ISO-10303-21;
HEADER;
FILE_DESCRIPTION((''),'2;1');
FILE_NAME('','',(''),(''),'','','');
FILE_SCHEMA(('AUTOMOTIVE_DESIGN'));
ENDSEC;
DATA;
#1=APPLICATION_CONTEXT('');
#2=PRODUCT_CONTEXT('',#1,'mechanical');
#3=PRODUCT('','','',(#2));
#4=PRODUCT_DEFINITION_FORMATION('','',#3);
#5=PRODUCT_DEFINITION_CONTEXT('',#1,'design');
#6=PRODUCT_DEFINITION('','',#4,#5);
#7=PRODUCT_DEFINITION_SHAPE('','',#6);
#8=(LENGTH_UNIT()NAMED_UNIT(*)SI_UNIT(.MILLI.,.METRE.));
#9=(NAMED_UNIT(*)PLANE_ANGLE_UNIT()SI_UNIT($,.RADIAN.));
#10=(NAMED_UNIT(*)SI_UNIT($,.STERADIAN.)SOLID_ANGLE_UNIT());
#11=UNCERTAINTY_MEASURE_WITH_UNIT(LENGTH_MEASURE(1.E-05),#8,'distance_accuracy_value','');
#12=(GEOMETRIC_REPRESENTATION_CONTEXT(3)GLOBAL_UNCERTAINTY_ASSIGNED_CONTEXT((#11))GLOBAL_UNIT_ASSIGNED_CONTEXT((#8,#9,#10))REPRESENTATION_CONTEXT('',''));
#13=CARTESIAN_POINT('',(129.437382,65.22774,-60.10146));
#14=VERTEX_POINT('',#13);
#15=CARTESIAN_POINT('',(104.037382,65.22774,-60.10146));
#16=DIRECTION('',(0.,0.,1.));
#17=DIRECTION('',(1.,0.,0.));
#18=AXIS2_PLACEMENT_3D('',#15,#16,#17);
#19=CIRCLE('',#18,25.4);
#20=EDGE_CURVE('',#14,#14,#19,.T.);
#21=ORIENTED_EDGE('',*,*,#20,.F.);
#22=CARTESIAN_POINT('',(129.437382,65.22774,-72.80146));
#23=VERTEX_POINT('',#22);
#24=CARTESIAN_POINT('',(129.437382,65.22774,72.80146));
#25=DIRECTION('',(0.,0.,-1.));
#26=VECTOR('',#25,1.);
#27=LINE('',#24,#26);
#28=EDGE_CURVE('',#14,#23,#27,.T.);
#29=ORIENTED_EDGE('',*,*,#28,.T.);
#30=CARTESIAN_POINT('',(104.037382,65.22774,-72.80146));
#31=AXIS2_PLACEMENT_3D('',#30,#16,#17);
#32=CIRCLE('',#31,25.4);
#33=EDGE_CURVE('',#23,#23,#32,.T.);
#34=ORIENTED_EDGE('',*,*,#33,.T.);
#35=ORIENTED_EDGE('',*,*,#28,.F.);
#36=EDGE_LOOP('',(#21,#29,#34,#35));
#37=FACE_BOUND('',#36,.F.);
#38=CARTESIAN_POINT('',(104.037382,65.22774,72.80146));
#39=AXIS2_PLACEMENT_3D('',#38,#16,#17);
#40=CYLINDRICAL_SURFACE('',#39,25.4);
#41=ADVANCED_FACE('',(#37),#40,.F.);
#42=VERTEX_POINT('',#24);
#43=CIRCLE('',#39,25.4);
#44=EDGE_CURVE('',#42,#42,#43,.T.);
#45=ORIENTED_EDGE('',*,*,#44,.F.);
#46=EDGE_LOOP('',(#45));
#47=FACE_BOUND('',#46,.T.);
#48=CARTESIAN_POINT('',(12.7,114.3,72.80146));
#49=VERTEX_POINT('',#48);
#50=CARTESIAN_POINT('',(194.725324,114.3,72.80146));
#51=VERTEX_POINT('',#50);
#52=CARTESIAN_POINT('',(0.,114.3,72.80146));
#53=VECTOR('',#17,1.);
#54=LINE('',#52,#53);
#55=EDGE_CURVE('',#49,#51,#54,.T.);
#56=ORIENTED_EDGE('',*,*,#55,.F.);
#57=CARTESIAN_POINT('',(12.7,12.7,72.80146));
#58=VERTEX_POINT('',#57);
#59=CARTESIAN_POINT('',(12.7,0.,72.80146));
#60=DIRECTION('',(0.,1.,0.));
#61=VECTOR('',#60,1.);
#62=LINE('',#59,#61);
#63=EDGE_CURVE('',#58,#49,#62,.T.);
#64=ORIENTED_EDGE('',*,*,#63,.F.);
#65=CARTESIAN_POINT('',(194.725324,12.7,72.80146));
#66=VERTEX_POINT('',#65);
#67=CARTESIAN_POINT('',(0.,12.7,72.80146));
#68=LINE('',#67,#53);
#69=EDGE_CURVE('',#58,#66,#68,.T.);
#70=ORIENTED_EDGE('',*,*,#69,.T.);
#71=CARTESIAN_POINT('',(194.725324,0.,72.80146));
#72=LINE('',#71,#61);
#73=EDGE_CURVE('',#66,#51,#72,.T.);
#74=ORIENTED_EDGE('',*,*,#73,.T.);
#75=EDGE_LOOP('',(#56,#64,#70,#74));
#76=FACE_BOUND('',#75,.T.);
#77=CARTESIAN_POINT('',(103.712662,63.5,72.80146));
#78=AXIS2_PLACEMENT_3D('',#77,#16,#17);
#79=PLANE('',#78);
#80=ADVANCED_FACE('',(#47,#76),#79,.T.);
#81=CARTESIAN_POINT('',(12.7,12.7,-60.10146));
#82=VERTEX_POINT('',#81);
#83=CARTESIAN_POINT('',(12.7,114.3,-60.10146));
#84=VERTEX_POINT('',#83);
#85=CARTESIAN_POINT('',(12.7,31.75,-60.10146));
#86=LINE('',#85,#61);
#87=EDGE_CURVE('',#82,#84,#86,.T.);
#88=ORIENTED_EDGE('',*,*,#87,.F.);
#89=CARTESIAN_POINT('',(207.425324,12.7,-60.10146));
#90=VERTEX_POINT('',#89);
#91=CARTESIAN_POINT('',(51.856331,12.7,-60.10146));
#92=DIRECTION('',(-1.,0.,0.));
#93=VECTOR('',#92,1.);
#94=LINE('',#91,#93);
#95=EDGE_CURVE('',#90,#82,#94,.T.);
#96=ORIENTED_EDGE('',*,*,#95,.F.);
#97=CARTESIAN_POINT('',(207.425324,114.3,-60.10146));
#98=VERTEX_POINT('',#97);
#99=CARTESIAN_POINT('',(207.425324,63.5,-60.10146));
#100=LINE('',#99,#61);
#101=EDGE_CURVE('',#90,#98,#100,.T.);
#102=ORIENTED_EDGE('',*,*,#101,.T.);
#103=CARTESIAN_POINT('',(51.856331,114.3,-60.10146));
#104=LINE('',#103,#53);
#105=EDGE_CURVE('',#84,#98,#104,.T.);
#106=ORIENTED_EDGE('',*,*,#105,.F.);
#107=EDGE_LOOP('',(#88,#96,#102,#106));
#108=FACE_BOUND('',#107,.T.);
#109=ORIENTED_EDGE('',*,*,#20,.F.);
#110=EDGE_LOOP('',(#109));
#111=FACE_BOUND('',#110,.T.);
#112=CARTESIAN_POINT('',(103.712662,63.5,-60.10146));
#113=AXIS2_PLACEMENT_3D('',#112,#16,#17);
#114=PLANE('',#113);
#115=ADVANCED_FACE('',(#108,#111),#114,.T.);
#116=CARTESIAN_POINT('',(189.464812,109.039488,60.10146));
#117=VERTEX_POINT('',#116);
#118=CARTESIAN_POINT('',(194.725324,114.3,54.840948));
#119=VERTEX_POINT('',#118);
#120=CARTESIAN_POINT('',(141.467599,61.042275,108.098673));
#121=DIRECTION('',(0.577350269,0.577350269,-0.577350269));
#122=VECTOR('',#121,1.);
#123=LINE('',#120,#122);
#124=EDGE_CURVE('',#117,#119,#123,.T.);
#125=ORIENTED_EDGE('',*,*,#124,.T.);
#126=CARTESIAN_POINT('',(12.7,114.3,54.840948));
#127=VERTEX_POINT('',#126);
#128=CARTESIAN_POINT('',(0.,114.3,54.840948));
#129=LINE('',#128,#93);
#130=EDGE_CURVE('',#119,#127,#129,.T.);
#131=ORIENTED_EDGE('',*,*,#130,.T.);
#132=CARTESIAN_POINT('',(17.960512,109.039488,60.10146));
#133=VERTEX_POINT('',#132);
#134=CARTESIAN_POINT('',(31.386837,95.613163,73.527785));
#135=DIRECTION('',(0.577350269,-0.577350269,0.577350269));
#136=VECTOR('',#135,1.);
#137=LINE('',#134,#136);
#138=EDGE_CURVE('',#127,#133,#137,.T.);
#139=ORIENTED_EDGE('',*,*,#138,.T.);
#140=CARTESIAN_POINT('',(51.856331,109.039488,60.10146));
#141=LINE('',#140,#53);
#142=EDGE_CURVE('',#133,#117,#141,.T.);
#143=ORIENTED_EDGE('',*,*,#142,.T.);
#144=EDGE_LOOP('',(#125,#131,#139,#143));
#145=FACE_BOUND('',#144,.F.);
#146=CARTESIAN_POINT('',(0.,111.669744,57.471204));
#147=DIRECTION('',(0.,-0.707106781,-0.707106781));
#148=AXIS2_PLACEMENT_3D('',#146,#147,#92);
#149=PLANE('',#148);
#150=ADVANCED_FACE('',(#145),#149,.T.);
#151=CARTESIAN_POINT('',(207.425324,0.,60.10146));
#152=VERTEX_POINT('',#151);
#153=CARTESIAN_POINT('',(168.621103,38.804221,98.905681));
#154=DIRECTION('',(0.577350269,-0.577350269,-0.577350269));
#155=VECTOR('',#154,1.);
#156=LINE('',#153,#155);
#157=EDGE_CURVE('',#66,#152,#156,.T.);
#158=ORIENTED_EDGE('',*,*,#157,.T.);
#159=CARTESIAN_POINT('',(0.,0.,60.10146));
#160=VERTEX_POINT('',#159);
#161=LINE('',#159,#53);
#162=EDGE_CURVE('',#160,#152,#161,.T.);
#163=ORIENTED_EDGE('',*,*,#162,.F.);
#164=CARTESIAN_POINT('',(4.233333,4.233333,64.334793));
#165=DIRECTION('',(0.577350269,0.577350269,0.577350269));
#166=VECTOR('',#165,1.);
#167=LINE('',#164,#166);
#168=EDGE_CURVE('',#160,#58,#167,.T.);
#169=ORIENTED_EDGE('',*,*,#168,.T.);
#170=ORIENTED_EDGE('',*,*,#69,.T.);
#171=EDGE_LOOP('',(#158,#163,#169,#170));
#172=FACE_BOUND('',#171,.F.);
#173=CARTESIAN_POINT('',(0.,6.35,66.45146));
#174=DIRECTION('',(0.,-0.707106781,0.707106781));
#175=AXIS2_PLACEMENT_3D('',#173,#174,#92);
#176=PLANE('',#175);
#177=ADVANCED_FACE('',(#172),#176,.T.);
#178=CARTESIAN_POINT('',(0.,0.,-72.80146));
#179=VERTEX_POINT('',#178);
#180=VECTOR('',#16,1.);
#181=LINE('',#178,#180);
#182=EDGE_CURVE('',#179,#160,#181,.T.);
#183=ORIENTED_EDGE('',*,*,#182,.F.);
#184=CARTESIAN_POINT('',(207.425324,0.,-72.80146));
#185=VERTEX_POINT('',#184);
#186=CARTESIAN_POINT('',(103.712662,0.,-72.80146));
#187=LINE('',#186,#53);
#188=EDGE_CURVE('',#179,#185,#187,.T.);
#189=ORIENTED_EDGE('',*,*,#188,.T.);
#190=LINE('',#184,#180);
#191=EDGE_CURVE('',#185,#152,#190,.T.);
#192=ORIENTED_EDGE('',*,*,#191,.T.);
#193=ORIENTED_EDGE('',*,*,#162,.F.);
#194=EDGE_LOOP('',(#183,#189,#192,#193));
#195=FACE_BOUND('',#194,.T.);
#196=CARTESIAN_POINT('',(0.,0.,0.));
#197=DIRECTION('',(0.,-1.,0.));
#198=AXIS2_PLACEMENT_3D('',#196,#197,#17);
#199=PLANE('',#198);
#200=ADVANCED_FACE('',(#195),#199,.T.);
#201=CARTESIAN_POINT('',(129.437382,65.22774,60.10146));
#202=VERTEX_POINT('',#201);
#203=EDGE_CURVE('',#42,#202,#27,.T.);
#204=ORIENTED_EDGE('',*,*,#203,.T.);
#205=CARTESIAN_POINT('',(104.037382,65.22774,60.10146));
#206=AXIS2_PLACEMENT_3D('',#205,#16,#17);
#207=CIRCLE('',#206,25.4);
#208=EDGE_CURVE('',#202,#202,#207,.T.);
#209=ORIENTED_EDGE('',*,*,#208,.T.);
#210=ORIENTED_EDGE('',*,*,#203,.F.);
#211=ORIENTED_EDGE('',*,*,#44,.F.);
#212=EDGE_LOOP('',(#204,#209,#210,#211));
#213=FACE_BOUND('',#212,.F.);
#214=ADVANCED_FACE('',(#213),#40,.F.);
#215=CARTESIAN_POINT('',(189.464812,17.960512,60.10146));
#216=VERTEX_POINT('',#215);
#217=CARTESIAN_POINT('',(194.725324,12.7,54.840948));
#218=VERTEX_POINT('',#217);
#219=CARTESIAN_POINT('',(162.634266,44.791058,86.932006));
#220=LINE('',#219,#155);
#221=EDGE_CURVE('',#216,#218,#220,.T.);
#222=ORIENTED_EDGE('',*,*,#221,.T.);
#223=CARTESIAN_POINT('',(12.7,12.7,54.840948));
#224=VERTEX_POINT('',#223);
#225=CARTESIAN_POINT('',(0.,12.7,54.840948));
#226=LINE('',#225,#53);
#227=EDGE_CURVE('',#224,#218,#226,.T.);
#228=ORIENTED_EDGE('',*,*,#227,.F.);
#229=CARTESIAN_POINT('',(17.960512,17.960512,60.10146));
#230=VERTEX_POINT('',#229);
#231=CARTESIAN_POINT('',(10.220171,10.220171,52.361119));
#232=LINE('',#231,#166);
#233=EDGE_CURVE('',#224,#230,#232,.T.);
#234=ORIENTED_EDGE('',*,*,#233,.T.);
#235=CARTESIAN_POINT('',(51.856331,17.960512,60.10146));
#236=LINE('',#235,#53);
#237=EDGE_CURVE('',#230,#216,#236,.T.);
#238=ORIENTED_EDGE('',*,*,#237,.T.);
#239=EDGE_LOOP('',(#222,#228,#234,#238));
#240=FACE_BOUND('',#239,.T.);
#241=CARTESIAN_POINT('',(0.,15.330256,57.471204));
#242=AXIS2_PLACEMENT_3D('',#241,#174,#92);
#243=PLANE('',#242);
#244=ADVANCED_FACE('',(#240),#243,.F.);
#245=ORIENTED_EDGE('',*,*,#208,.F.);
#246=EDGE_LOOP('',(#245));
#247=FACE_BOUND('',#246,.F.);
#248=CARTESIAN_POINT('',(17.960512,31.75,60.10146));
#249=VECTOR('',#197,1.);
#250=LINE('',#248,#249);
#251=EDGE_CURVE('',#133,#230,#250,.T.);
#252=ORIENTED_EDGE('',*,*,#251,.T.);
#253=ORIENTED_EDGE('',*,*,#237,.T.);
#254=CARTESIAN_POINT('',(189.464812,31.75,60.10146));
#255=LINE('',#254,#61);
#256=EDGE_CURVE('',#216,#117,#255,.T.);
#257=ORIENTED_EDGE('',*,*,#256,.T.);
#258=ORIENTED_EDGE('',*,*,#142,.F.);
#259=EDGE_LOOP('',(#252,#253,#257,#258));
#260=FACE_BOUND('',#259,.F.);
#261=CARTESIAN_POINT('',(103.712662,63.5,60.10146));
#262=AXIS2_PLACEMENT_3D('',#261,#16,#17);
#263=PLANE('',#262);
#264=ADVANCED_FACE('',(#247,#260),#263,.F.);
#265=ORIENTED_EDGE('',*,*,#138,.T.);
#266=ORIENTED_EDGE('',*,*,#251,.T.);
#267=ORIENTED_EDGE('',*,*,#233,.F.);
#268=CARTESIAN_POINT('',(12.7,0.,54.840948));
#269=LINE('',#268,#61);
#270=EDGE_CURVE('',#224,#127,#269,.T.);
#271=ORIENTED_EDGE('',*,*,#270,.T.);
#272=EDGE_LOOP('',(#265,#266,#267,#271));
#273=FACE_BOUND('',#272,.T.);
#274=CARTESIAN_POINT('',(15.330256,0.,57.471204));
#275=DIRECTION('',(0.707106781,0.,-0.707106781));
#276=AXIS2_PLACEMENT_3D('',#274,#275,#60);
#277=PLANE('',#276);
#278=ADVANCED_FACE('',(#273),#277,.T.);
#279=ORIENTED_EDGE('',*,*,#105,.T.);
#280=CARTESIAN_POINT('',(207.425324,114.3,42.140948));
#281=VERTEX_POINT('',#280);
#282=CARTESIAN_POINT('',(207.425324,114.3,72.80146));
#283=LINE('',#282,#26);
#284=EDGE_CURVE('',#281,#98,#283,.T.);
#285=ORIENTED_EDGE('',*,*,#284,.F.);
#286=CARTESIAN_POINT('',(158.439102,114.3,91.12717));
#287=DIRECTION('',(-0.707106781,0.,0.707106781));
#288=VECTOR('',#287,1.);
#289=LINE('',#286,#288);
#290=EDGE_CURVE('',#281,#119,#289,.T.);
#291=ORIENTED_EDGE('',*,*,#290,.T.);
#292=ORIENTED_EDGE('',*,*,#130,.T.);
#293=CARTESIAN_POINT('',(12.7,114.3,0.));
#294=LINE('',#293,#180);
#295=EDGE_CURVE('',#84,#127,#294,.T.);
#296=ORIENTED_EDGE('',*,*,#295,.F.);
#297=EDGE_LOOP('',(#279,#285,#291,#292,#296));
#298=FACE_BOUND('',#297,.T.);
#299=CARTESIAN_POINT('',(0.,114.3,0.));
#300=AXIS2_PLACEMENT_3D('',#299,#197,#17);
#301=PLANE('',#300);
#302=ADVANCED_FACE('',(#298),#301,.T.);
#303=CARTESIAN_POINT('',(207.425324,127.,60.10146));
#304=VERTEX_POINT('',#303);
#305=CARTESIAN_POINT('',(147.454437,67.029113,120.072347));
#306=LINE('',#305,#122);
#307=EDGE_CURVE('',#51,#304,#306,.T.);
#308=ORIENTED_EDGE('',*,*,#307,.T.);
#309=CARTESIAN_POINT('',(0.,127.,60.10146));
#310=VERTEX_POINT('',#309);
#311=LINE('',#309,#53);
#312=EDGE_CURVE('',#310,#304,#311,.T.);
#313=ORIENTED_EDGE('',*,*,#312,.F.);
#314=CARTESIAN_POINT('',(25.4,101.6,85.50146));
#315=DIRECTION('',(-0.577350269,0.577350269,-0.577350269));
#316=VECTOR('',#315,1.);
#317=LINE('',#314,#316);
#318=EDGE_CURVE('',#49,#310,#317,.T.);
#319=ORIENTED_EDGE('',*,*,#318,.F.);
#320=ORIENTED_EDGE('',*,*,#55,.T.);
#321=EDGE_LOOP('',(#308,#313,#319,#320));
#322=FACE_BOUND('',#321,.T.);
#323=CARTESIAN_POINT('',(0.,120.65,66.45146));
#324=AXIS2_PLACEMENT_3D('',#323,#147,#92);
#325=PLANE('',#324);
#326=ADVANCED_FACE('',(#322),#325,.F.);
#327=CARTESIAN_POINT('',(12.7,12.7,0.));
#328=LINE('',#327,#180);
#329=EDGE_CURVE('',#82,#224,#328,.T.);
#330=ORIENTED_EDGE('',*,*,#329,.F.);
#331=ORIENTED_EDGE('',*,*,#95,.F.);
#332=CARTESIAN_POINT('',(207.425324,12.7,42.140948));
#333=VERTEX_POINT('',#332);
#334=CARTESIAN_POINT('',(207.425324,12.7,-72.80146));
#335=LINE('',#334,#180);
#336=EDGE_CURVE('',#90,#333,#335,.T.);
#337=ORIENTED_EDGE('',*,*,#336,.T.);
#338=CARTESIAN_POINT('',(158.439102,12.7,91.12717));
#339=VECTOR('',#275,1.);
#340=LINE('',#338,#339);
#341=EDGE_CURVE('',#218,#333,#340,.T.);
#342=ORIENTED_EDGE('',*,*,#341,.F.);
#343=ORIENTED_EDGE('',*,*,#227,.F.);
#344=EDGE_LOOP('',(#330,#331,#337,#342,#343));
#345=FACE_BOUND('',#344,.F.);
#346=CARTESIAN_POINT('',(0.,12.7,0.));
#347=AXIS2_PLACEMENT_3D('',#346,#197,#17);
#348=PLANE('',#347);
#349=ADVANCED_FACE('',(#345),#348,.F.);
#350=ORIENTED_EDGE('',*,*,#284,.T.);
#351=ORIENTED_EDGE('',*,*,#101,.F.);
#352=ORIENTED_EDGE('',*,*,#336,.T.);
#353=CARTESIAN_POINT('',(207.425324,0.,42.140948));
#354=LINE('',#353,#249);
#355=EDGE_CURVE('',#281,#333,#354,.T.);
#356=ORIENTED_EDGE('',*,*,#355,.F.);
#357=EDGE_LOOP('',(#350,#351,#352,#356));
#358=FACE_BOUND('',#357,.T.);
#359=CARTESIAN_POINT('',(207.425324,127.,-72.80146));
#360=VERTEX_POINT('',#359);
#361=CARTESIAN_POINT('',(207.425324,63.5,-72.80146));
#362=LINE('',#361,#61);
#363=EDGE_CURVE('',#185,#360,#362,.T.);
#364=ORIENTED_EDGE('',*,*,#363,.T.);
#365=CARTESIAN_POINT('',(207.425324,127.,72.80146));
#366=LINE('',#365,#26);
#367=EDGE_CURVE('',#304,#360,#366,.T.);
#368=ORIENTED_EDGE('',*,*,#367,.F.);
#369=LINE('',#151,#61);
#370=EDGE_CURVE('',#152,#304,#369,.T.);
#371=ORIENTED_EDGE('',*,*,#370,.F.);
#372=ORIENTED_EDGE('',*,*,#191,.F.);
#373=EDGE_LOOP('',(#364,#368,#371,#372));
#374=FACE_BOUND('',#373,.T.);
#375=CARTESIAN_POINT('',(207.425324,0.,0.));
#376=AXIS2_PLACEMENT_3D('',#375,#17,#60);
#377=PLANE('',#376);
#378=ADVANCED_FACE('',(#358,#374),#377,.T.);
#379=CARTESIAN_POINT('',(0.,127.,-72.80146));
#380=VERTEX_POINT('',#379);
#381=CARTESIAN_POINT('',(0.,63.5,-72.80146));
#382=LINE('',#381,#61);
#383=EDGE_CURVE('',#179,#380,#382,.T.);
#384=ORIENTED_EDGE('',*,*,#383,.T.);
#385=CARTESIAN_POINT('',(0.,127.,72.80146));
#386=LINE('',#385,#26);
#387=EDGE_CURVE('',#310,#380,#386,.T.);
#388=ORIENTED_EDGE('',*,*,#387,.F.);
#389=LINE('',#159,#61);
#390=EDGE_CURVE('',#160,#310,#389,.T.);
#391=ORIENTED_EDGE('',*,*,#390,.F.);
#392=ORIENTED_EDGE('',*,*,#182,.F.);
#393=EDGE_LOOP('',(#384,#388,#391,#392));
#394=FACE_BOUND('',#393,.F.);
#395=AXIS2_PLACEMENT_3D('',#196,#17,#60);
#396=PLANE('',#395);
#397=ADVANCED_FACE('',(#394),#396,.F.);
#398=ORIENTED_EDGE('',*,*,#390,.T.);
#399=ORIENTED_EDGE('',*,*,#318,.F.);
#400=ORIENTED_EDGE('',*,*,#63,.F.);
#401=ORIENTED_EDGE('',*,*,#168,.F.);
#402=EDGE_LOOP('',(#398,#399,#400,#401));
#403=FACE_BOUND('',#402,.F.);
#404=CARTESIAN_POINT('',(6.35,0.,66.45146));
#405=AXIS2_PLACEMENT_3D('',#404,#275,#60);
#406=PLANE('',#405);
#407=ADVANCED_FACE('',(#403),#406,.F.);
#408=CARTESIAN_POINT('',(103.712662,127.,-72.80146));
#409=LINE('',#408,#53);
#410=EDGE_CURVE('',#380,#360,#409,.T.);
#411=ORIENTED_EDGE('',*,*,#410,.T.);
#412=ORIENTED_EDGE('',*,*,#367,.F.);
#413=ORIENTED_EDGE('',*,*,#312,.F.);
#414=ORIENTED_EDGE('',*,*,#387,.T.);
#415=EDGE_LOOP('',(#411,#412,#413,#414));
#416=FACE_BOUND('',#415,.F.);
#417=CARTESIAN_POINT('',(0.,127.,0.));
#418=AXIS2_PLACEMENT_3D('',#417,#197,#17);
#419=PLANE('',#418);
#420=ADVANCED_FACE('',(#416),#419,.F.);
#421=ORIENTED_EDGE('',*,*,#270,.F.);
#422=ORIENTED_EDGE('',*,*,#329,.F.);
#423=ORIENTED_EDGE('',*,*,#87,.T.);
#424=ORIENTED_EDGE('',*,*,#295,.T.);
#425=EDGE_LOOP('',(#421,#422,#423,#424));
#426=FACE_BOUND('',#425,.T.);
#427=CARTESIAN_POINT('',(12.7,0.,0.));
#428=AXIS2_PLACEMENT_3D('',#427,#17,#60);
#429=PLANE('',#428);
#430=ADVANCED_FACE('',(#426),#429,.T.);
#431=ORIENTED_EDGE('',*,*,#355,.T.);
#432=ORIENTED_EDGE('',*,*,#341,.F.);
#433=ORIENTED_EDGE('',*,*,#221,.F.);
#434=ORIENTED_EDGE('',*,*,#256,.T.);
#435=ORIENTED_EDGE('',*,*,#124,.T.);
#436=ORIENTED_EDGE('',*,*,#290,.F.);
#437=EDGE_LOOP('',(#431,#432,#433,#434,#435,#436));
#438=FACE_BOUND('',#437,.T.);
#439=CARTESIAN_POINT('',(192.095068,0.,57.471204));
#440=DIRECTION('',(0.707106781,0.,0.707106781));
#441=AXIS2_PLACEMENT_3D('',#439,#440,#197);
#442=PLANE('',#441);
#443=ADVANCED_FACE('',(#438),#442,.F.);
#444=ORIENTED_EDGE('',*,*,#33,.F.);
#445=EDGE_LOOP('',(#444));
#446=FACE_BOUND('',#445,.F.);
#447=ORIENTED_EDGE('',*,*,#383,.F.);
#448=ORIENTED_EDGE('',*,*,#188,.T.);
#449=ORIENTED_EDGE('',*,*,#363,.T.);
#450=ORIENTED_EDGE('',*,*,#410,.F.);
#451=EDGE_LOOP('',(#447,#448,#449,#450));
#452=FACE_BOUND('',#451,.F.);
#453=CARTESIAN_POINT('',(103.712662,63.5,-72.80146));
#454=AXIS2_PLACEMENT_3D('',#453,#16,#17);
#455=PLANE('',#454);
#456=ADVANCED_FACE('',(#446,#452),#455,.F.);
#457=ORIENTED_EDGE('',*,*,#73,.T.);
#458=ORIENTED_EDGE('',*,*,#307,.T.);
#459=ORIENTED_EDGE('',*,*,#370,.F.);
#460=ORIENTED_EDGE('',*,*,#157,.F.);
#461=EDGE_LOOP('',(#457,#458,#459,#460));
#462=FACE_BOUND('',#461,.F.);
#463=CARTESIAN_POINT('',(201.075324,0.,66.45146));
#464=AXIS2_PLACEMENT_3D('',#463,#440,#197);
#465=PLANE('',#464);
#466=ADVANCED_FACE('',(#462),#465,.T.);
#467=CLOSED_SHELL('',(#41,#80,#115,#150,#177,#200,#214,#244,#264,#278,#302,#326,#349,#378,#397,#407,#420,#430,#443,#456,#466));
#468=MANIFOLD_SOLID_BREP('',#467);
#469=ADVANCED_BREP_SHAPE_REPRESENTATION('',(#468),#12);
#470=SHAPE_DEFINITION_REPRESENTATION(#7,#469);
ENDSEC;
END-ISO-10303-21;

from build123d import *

# Parameters (mm, degrees)
F0_W     = 207.425324
F0_H     = 127
F1_DEPTH = 72.80146
F2_SIZE  = 12.7
F3_T     = -12.7
F4_R     = 25.4
F5_DEPTH = 148.94068


with BuildPart() as f1:
    # F0 (on Top) → F1 (new body, symmetric)
    with BuildSketch(Plane.XY):
        with Locations((103.712662, 63.5)):
            Rectangle(F0_W, F0_H)
    extrude(amount=F1_DEPTH, both=True)

    # F2
    f2_edges = [f1.edges().sort_by_distance(p)[0] for p in [
        (207.425324, 63.5, 72.80146),
        (103.712662, 127, 72.80146),
        (0, 63.5, 72.80146),
        (103.712662, 0, 72.80146),
    ]]
    chamfer(f2_edges, length=F2_SIZE)

    # F3
    f3_openings = [f1.faces().sort_by_distance(p)[0] for p in [
        (207.425324, 63.5, -6.35),
    ]]
    offset(amount=F3_T, openings=f3_openings)

    # F4 (on face) → F5 (cut)
    with BuildSketch(Plane.XY.offset(72.80146)):
        with Locations((104.037382, 65.22774)):
            Circle(F4_R)
    extrude(amount=-F5_DEPTH, mode=Mode.SUBTRACT)


solid = f1.part
